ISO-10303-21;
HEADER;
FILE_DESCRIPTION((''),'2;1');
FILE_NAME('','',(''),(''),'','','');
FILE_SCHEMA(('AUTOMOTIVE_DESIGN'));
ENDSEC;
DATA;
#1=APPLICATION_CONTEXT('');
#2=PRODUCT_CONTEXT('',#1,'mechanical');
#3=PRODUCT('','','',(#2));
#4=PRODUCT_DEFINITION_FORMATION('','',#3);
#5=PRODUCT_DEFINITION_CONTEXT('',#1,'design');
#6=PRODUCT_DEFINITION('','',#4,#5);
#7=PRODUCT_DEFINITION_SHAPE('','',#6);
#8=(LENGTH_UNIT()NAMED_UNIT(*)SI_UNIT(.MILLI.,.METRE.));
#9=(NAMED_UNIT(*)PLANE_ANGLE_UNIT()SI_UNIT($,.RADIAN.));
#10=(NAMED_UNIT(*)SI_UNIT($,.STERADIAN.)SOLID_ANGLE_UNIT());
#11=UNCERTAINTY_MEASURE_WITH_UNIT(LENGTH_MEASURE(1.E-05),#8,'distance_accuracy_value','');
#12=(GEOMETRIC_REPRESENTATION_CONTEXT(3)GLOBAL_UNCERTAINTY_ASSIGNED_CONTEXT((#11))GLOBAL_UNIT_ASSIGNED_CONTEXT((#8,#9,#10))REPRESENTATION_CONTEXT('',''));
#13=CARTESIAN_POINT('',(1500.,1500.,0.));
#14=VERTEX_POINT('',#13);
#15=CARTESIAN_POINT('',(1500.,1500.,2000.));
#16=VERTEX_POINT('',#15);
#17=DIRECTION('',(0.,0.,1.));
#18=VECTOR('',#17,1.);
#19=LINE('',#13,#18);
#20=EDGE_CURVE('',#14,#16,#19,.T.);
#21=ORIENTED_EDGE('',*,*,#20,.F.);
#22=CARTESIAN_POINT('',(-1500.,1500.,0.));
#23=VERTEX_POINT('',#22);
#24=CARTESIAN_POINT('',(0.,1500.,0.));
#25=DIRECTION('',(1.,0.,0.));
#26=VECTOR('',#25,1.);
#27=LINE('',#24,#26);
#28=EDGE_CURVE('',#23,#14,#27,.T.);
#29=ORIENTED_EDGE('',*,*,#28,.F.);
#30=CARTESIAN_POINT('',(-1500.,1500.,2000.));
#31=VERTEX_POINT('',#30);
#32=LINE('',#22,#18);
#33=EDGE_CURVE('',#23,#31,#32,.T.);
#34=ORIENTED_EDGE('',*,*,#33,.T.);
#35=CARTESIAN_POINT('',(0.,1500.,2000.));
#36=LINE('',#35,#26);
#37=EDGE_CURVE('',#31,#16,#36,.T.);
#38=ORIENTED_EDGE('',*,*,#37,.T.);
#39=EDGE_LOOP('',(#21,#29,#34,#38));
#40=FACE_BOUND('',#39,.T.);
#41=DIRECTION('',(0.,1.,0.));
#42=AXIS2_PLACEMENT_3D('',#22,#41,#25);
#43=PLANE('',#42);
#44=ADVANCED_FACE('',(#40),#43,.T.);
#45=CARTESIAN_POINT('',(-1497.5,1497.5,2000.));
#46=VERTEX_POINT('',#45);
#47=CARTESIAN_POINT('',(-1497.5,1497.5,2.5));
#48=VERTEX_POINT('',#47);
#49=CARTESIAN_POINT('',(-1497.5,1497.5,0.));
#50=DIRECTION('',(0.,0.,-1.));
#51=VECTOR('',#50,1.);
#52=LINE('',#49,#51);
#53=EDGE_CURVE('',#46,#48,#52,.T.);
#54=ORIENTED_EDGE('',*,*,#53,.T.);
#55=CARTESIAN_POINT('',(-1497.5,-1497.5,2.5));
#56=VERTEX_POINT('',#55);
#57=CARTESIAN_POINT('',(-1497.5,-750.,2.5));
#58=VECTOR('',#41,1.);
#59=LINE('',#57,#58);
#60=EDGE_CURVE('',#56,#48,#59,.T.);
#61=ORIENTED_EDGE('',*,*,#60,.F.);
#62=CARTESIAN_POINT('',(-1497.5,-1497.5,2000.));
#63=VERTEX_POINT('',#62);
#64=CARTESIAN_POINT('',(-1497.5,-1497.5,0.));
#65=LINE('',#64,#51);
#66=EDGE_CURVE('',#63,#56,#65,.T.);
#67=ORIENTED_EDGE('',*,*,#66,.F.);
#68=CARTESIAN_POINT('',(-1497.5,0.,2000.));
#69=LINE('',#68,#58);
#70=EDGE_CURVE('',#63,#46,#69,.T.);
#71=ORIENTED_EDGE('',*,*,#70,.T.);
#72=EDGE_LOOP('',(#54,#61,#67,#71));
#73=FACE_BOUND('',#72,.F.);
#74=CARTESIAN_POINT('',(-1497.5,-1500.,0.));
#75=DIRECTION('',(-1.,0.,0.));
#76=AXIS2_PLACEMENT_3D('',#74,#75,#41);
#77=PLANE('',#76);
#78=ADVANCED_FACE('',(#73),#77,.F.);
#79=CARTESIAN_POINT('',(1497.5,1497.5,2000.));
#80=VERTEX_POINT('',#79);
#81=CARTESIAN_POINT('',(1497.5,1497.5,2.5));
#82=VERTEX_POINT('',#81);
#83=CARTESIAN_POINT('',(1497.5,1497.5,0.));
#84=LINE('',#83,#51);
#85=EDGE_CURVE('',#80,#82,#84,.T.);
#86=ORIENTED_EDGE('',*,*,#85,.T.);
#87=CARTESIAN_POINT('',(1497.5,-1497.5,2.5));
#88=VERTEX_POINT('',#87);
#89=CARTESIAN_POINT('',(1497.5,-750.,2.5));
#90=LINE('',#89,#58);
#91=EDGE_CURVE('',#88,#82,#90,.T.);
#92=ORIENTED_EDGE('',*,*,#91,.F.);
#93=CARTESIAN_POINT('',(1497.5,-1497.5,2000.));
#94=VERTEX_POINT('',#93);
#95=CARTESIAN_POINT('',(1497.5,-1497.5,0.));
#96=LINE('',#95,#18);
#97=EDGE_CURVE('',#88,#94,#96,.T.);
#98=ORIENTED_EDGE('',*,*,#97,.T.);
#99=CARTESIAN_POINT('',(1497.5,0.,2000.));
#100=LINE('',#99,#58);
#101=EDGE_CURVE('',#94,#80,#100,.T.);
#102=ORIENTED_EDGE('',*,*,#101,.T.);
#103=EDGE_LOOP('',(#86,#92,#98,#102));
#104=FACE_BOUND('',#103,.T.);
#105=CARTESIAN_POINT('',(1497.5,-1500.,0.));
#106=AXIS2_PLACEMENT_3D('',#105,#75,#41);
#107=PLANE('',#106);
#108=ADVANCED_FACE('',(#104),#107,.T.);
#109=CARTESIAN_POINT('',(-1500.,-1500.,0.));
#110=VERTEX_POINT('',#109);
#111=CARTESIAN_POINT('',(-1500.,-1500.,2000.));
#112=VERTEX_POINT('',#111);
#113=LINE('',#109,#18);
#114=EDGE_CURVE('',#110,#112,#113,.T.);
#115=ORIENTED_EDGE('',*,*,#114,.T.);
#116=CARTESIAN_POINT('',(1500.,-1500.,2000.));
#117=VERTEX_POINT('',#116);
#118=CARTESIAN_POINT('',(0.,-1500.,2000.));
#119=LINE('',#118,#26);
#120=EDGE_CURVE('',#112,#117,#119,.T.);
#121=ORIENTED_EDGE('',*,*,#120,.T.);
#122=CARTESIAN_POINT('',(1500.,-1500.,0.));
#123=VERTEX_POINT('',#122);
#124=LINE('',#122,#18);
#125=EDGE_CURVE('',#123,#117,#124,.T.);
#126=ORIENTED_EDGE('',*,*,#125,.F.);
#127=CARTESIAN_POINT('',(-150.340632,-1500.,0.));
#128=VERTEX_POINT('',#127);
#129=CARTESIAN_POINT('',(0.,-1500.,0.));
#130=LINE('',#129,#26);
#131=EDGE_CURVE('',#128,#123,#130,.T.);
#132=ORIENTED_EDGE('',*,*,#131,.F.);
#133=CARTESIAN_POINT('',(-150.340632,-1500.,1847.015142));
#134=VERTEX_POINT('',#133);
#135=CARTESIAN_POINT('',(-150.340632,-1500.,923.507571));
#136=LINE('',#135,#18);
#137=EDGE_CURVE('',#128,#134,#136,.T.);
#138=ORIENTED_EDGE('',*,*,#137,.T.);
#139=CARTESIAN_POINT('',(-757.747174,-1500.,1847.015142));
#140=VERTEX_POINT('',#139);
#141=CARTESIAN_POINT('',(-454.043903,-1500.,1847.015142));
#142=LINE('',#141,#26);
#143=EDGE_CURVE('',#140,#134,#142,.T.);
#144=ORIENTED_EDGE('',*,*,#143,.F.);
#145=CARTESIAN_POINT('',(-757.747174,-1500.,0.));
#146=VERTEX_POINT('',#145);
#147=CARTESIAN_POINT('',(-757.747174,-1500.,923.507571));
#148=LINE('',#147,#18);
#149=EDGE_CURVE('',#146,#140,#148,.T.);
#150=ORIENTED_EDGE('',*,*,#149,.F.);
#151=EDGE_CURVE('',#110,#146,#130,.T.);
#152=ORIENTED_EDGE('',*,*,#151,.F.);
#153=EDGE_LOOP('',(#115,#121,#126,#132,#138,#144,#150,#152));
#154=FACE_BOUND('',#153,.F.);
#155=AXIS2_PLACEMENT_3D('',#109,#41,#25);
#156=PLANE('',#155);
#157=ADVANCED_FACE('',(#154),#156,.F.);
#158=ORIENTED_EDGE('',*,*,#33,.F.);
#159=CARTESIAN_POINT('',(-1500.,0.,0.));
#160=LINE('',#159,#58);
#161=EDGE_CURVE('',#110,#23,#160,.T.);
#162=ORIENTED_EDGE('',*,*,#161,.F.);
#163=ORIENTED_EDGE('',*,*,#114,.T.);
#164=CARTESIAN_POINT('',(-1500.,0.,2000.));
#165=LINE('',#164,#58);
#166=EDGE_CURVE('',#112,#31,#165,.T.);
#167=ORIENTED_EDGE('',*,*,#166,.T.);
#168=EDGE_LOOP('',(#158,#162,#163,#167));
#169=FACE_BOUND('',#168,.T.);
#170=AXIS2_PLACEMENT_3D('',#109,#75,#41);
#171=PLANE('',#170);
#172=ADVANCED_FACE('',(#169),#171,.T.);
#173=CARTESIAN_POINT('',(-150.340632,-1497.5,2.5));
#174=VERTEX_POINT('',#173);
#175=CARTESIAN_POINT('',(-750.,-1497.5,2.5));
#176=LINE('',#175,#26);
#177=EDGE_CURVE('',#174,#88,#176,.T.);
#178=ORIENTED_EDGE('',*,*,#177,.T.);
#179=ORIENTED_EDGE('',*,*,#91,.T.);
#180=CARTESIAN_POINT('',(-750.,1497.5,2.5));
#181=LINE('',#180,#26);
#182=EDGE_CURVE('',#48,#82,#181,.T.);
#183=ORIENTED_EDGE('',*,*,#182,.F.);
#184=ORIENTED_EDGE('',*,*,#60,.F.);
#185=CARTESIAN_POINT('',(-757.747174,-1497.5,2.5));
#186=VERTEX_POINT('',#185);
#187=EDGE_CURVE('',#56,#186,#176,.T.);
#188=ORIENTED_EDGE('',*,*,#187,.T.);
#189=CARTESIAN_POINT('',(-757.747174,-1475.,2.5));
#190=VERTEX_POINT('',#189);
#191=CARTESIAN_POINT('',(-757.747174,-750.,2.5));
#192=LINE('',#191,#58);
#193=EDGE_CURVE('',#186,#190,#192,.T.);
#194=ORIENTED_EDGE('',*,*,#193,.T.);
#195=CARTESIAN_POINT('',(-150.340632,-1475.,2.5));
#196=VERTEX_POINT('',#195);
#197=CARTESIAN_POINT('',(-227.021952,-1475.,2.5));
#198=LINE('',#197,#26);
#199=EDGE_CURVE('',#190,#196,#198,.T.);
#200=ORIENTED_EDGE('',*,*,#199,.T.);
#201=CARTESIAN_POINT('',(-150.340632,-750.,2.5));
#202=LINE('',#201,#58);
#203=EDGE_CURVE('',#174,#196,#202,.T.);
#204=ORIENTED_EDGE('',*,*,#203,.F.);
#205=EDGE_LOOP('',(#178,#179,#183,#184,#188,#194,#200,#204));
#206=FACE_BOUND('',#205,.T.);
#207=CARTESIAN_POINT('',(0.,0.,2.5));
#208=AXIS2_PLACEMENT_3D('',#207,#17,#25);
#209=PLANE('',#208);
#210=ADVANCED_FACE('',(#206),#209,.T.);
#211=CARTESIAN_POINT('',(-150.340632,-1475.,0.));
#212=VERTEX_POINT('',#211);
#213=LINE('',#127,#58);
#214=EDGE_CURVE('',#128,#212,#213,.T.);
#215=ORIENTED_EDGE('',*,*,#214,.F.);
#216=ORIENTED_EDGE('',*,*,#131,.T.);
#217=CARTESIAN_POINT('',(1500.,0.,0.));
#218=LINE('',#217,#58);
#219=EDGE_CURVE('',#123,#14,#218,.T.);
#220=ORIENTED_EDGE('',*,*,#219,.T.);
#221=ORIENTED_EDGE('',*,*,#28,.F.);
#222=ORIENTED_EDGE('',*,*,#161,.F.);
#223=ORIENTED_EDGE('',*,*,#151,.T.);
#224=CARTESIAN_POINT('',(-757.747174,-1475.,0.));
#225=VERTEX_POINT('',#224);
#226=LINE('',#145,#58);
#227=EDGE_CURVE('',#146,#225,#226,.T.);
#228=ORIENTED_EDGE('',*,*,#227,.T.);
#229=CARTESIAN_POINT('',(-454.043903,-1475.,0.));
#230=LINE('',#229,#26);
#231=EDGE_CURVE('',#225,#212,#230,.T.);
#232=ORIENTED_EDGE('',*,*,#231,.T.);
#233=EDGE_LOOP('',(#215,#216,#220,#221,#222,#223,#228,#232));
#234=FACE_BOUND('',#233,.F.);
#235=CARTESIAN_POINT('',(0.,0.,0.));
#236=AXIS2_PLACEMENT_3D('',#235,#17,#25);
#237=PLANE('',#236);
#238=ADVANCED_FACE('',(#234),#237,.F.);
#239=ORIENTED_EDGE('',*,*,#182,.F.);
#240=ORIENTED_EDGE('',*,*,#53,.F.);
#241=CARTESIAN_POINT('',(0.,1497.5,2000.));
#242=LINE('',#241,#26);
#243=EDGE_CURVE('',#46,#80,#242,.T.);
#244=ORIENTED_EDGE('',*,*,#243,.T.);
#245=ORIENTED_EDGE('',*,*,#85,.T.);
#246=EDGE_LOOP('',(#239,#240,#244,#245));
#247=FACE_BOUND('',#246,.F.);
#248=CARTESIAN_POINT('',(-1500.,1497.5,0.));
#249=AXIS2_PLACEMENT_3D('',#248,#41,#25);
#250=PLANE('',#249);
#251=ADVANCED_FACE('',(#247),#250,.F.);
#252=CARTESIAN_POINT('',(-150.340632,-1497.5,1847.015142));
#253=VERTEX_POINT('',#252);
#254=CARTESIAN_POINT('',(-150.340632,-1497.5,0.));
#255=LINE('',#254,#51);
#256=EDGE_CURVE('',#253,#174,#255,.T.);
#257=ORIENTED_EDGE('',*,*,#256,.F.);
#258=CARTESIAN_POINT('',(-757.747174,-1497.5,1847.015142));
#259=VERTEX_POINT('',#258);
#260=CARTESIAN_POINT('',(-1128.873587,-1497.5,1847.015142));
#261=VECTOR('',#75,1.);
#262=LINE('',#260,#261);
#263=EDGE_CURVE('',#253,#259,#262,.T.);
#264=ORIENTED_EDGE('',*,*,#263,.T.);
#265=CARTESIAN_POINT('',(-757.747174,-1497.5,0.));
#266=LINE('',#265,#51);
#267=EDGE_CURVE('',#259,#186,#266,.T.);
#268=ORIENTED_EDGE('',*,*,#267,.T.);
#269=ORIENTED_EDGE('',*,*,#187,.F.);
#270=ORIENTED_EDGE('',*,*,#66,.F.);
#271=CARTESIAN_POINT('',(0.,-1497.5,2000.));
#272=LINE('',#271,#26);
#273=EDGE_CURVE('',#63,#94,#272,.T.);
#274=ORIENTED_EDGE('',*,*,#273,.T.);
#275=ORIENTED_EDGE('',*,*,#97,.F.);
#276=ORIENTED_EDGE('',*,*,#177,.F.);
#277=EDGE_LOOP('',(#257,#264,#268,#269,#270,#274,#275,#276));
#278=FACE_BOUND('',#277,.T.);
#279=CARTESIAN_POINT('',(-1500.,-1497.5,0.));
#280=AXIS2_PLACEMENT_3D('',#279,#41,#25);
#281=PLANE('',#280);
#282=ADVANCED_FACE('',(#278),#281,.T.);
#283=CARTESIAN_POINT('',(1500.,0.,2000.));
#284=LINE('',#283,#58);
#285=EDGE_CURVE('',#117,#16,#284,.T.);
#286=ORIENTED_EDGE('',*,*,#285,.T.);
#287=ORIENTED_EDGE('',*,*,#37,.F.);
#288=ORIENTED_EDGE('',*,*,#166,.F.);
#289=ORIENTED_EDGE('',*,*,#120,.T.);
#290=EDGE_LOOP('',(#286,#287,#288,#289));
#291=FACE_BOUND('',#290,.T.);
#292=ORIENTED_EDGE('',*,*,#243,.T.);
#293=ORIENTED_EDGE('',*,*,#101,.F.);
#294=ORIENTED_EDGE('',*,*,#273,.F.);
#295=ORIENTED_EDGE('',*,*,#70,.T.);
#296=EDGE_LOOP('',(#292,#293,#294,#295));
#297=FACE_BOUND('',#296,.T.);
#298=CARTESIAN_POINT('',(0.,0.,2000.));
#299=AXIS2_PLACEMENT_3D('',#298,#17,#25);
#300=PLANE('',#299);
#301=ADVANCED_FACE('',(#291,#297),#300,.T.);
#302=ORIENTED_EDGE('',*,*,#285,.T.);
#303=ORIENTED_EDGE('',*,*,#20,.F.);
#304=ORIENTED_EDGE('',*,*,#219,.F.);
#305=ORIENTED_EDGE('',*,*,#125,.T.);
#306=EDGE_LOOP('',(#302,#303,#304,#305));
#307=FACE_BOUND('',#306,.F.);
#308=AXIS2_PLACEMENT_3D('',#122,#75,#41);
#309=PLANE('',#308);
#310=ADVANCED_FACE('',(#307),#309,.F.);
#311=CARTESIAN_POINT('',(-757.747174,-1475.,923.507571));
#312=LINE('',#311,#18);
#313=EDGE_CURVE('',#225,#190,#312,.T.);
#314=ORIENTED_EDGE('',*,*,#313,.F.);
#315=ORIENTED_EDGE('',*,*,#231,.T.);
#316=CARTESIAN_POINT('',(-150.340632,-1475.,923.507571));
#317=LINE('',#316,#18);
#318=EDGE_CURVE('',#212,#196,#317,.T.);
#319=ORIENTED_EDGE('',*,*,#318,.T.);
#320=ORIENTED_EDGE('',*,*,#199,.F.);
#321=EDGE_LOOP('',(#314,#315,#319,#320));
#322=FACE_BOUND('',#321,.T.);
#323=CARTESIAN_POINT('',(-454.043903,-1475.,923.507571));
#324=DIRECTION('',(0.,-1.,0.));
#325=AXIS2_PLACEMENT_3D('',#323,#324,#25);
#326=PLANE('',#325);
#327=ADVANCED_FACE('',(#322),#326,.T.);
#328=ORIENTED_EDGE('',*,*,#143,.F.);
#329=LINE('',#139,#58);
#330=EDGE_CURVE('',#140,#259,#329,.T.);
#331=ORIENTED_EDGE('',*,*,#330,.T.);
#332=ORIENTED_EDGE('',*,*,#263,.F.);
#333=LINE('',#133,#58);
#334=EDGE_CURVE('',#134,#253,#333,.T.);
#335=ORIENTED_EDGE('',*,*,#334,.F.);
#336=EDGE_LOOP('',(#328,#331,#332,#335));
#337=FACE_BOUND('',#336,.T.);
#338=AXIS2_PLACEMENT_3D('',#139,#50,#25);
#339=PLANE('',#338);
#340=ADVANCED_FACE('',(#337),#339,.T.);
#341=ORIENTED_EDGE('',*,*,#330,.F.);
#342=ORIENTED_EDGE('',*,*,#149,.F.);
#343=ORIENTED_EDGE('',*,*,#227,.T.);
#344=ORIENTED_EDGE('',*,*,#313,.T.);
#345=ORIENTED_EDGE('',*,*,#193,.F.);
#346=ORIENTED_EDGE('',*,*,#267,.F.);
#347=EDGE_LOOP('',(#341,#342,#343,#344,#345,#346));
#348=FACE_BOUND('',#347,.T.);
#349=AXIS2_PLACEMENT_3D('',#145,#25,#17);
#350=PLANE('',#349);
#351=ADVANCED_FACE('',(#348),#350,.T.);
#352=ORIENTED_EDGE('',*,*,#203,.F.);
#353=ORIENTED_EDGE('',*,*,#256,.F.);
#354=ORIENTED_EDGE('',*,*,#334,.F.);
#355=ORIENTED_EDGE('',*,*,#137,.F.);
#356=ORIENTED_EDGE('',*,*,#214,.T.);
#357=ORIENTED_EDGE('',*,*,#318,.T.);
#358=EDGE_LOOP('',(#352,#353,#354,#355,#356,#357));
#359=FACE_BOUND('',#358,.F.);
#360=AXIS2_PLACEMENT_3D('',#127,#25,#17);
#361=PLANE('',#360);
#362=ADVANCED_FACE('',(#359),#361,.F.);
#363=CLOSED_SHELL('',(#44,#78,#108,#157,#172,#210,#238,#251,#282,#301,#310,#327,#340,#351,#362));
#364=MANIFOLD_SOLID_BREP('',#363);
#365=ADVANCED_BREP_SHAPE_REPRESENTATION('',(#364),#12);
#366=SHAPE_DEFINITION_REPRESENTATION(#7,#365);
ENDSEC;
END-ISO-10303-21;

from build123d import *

# Parameters (mm, degrees)
F0_W     = 3000
F0_H     = 3000
F1_DEPTH = 2000
F2_T     = -2.5
F3_W     = 607.406541
F3_H     = 1847.015142
F4_DEPTH = 25


with BuildPart() as f1:
    # F0 (on Top) → F1 (new body)
    with BuildSketch(Plane.XY):
        Rectangle(F0_W, F0_H)
    extrude(amount=F1_DEPTH)

    # F2
    f2_openings = [f1.faces().sort_by_distance(p)[0] for p in [
        (0, 0, 2000),
    ]]
    offset(amount=F2_T, openings=f2_openings)

    # F3 (on face) → F4 (cut)
    with BuildSketch(Plane.XZ.offset(1500)):
        with Locations((-454.043903, 923.507571)):
            Rectangle(F3_W, F3_H)
    extrude(amount=-F4_DEPTH, mode=Mode.SUBTRACT)


solid = f1.part
